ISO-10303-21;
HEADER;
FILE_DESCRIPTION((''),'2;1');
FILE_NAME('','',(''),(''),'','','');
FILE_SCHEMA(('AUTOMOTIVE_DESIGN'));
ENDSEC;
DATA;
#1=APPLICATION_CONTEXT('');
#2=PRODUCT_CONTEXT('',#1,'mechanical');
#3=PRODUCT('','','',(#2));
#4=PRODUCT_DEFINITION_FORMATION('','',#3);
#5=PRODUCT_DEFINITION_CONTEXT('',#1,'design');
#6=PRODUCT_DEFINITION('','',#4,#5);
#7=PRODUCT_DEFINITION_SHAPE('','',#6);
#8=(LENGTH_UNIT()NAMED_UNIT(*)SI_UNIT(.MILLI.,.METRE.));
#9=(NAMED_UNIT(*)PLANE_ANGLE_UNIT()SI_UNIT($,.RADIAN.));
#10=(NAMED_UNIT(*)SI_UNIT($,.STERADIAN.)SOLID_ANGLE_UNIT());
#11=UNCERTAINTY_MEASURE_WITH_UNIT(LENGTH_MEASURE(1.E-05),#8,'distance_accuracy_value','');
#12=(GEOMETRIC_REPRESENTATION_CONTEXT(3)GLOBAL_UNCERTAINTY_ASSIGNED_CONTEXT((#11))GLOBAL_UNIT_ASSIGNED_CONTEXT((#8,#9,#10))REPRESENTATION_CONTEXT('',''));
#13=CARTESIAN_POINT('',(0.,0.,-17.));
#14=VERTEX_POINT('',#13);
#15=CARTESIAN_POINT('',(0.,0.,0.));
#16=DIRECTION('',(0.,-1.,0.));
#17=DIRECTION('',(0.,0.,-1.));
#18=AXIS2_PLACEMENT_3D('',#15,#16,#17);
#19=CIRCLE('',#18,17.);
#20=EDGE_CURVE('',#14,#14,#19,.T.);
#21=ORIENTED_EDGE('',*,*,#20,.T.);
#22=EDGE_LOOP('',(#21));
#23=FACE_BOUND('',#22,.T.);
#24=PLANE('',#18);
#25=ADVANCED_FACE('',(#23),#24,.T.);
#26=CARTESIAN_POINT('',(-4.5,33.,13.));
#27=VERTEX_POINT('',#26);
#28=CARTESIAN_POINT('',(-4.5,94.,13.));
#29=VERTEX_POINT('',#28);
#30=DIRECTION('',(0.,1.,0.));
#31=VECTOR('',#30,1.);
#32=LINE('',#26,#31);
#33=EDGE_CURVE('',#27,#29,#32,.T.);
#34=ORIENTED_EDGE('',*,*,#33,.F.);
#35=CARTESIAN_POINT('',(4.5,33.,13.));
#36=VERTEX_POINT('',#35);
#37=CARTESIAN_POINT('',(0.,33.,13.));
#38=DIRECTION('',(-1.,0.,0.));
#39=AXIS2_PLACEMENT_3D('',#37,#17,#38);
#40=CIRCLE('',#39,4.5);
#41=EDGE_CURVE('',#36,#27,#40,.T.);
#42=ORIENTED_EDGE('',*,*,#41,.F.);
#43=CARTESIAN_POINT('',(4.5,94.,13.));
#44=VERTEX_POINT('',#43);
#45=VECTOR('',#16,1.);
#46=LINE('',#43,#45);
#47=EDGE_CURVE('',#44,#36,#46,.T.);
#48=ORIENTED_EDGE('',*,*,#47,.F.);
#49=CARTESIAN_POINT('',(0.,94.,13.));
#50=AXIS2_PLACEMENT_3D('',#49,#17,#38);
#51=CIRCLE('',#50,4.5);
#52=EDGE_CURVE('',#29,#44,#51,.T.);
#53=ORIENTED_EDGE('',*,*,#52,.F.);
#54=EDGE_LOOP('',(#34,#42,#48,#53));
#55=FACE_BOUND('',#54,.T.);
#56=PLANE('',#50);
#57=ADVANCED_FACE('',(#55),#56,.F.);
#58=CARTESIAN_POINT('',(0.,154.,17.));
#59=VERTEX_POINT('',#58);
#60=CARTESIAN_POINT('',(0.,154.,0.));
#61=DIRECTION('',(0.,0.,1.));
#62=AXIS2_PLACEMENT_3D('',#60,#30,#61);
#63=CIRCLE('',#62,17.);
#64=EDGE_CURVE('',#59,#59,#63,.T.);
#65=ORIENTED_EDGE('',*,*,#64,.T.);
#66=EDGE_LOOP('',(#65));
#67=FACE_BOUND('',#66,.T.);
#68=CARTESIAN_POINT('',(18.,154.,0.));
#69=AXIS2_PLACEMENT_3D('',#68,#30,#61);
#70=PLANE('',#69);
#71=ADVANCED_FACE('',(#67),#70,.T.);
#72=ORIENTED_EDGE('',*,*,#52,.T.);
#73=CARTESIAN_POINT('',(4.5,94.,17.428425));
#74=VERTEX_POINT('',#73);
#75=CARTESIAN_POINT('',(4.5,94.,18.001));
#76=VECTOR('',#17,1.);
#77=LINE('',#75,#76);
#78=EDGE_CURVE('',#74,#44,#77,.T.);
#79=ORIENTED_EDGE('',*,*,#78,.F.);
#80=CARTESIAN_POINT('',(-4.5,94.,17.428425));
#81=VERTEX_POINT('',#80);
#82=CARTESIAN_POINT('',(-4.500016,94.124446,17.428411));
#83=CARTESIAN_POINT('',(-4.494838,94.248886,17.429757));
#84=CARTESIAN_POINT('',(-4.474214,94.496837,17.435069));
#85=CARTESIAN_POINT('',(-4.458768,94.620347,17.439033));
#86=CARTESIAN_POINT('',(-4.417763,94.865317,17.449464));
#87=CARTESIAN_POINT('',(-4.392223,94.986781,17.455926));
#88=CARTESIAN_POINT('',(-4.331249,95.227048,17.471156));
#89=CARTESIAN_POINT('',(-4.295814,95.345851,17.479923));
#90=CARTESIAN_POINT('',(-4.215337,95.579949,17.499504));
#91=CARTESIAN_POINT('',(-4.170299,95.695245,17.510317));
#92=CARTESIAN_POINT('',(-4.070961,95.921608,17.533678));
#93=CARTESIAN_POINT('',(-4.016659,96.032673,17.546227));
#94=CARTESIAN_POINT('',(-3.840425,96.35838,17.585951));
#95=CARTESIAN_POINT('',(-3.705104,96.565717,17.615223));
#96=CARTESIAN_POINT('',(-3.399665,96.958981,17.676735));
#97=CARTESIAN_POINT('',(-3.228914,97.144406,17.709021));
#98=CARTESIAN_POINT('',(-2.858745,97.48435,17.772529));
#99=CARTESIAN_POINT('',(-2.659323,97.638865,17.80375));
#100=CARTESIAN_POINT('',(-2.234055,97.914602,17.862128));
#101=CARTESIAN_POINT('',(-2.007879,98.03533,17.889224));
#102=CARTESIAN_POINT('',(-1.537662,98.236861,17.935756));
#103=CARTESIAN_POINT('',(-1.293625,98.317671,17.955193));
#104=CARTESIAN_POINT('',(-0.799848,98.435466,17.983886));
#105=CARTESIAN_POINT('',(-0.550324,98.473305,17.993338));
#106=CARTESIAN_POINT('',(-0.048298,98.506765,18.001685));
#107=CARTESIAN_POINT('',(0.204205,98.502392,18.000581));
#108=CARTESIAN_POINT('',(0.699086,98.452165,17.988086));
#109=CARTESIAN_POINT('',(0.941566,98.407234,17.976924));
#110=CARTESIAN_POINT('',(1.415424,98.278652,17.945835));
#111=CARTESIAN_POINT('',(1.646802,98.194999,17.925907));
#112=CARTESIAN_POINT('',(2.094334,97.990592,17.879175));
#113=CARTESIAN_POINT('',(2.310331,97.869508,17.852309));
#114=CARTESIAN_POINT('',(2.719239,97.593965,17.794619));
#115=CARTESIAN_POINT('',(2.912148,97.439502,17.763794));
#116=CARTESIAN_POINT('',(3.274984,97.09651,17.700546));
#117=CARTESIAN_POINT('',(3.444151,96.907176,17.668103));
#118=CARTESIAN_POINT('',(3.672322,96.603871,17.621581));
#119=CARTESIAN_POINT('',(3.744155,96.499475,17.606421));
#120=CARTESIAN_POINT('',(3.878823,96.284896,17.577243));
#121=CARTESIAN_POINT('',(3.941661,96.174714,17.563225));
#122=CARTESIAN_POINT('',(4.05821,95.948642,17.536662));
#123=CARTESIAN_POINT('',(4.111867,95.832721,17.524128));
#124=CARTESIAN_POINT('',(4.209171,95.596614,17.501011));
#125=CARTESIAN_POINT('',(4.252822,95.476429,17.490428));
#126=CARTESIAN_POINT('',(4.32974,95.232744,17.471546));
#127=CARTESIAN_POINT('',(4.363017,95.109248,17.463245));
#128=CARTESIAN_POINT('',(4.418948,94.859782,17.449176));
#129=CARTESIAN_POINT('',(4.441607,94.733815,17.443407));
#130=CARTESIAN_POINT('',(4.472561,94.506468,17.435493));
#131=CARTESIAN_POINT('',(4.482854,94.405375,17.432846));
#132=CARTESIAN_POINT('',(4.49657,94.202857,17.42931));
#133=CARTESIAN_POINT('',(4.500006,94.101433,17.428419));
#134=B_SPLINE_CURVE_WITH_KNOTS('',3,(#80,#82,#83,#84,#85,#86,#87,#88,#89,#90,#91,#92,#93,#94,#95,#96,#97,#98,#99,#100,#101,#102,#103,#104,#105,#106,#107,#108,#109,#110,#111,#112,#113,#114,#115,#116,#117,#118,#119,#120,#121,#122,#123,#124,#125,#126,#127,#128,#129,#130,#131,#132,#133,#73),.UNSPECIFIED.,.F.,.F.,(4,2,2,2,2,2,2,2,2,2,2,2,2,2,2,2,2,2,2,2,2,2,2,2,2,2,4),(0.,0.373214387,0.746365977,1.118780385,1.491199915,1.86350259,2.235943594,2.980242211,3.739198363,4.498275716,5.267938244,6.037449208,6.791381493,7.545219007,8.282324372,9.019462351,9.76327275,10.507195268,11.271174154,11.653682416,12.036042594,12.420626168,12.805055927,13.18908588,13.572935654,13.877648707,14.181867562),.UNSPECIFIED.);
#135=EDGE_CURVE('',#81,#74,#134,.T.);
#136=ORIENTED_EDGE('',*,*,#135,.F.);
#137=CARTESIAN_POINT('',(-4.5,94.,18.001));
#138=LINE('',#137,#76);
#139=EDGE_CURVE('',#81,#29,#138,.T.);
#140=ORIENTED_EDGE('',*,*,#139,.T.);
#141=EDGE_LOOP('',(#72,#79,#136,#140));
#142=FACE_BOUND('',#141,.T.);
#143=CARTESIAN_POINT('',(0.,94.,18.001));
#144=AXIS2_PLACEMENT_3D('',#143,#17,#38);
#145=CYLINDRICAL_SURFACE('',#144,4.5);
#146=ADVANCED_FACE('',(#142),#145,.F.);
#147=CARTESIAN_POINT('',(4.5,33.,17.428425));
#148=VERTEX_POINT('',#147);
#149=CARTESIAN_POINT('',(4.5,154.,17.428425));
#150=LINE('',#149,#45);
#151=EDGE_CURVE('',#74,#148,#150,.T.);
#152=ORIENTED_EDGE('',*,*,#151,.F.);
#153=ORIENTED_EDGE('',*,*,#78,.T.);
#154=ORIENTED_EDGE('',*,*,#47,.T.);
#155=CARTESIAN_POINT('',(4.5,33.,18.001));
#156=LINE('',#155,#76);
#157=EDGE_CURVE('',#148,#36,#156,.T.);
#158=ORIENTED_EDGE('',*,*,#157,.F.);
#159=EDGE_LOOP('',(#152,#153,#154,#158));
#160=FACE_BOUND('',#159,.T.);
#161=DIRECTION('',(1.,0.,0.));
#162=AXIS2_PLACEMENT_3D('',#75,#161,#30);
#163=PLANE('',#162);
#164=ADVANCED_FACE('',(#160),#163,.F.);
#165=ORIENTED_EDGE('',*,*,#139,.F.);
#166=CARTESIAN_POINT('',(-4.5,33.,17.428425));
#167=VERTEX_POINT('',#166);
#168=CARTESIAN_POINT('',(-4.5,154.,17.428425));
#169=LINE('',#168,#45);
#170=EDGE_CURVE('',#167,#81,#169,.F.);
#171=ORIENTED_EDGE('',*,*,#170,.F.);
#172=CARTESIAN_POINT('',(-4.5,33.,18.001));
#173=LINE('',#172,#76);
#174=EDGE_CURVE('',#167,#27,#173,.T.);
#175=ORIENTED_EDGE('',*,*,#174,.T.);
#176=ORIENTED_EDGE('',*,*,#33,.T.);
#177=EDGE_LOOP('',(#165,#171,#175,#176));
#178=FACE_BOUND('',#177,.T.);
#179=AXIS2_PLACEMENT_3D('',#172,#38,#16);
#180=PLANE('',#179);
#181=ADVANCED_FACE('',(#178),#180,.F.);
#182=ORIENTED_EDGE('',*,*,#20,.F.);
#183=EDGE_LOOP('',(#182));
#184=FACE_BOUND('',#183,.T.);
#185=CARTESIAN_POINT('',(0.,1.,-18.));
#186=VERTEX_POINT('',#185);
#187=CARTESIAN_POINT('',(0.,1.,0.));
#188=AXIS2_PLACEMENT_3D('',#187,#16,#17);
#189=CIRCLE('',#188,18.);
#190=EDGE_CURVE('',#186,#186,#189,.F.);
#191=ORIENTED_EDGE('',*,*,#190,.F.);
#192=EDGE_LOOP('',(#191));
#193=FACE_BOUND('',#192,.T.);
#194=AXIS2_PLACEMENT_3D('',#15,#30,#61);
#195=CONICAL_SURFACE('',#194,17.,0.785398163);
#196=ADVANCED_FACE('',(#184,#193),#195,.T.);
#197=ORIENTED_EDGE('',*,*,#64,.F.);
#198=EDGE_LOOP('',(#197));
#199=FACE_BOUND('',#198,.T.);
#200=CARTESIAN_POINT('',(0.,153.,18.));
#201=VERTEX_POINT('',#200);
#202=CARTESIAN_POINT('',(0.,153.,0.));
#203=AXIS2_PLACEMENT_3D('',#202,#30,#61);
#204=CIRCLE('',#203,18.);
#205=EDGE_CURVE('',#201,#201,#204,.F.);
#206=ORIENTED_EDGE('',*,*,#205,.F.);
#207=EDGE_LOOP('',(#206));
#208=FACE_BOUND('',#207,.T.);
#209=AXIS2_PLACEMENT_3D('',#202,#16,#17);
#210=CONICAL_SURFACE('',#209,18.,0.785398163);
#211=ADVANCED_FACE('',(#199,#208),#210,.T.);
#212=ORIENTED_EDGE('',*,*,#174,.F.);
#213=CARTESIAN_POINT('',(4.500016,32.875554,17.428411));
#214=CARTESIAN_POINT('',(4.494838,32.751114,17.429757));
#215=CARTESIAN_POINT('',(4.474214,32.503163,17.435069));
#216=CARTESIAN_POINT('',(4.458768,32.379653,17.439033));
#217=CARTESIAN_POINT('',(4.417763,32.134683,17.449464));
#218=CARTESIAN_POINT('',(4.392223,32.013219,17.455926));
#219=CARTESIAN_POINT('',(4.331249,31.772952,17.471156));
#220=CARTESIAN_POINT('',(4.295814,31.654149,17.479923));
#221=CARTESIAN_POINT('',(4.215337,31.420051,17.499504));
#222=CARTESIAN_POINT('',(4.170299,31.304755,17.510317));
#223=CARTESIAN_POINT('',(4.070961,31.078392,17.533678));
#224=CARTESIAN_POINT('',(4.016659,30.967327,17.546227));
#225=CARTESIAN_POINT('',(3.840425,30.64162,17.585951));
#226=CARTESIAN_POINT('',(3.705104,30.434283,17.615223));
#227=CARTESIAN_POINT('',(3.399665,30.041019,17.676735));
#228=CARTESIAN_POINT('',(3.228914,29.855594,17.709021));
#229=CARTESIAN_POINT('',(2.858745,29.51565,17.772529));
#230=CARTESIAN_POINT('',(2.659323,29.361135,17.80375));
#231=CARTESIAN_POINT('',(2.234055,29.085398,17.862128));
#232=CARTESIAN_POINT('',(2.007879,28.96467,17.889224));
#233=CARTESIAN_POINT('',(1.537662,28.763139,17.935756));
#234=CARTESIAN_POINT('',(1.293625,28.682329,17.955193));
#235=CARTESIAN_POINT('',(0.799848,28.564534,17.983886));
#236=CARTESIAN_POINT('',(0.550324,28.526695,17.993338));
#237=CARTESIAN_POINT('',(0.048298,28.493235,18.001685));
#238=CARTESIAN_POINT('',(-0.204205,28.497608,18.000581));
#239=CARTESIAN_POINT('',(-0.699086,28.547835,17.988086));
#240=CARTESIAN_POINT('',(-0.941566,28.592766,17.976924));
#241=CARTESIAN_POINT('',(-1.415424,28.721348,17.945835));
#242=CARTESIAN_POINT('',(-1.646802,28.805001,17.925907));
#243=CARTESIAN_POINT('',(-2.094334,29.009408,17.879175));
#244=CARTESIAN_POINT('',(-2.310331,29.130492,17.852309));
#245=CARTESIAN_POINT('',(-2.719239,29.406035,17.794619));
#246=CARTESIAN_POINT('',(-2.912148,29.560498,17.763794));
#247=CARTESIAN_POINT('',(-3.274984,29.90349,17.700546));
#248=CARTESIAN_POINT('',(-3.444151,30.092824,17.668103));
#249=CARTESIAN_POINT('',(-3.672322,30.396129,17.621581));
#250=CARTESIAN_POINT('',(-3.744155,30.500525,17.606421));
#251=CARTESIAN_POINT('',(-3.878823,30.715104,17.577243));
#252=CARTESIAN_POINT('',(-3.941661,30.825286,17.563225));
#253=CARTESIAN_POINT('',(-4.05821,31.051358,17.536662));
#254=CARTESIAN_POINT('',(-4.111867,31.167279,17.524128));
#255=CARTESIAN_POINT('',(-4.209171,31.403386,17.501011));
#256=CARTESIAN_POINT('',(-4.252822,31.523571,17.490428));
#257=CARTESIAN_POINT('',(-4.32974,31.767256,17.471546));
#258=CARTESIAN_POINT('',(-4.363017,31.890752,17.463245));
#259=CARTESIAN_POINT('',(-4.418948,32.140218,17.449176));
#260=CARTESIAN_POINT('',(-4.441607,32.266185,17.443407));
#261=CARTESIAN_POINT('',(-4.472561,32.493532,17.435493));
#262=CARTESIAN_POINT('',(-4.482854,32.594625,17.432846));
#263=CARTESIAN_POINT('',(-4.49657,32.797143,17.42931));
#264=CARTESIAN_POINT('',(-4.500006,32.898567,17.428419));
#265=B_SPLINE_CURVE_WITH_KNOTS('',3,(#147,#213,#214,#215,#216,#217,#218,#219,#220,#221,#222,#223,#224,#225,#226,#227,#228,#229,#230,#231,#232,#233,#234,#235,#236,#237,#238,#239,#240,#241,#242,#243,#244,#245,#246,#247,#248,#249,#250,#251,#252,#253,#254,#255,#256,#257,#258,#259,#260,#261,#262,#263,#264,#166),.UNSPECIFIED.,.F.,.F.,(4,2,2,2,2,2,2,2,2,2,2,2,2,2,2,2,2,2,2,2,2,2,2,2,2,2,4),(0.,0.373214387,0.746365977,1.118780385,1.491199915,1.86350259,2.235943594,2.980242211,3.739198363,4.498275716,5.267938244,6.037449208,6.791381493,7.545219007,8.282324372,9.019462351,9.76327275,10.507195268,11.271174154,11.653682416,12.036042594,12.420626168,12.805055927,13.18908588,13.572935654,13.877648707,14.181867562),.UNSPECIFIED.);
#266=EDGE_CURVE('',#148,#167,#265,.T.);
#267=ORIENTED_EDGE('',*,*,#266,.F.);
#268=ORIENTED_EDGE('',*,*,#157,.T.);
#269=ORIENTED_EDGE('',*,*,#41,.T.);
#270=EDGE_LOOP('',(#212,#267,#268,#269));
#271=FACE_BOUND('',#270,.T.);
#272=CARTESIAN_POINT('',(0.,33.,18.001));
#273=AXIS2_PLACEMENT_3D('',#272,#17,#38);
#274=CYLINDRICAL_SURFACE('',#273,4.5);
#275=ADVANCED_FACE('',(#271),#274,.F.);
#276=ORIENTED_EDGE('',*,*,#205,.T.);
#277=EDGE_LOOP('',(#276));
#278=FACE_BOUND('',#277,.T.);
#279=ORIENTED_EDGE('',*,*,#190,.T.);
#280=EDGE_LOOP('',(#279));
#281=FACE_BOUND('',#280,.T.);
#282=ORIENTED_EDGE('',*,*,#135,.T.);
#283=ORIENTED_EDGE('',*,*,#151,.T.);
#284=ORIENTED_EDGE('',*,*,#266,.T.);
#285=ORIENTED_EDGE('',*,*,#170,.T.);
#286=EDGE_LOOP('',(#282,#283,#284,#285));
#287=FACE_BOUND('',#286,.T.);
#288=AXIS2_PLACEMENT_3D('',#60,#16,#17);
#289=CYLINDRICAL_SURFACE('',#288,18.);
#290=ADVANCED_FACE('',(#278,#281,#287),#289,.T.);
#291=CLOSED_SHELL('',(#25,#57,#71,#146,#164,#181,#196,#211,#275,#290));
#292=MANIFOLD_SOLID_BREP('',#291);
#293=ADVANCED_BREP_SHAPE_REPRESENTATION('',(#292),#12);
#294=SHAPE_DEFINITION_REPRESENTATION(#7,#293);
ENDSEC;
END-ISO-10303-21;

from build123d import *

# Parameters (mm, degrees)
ESQUISSE1_W                  = 18
ESQUISSE1_H                  = 154
ENL_V_MAT_EXTRU_1_REACH      = 160.117
ENL_V_MAT_EXTRU_1_END_RADIUS = 18
CHANFREIN1_SIZE              = 1
CHANFREIN2_SIZE              = 1


with BuildPart() as part:
    # Esquisse1 → Révolution1 (revolve)
    with BuildSketch(Plane.XY, mode=Mode.PRIVATE) as r_volution1_sk:
        with Locations((9, 77)):
            Rectangle(ESQUISSE1_W, ESQUISSE1_H)
    revolve(r_volution1_sk.sketch.rotate(Axis((0, 154, 0), (0, -1, 0)), 270), axis=Axis((0, 154, 0), (0, -1, 0)))

    # Enlèv. mat.-Extru.1: up to this cylinder (the profile starts inside it)
    enl_v_mat_extru_1_end = Plane(origin=(0, 63.5, 0), z_dir=(0, -1, 0)) * Cylinder(ENL_V_MAT_EXTRU_1_END_RADIUS, 357.234, mode=Mode.PRIVATE)
    # Esquisse2 → Enlèv. mat.-Extru.1 (cut, up to the surface)
    with BuildSketch(Plane(origin=(0, 0, 13), x_dir=(-1, 0, 0), z_dir=(0, 0, -1)), mode=Mode.PRIVATE) as enl_v_mat_extru_1_sk1:
        with BuildLine():
            Line((-4.5, 94), (-4.5, 33))
            ThreePointArc((-4.5, 33), (0, 28.5), (4.5, 33))
            Line((4.5, 33), (4.5, 94))
            ThreePointArc((4.5, 94), (0, 98.5), (-4.5, 94))
        make_face()
    enl_v_mat_extru_1_tool1 = extrude(enl_v_mat_extru_1_sk1.sketch, amount=-ENL_V_MAT_EXTRU_1_REACH, mode=Mode.PRIVATE) & enl_v_mat_extru_1_end
    add(enl_v_mat_extru_1_tool1.solids().sort_by_distance((0, 63.5, 13))[0], mode=Mode.SUBTRACT)

    # Chanfrein1
    chanfrein1_edges = [part.edges().sort_by_distance(p)[0] for p in [
        (0, 154, 18),
    ]]
    chamfer(chanfrein1_edges, length=CHANFREIN1_SIZE)

    # Chanfrein2
    chanfrein2_edges = [part.edges().sort_by_distance(p)[0] for p in [
        (0, 0, 18),
    ]]
    chamfer(chanfrein2_edges, length=CHANFREIN2_SIZE)


solid = part.part
